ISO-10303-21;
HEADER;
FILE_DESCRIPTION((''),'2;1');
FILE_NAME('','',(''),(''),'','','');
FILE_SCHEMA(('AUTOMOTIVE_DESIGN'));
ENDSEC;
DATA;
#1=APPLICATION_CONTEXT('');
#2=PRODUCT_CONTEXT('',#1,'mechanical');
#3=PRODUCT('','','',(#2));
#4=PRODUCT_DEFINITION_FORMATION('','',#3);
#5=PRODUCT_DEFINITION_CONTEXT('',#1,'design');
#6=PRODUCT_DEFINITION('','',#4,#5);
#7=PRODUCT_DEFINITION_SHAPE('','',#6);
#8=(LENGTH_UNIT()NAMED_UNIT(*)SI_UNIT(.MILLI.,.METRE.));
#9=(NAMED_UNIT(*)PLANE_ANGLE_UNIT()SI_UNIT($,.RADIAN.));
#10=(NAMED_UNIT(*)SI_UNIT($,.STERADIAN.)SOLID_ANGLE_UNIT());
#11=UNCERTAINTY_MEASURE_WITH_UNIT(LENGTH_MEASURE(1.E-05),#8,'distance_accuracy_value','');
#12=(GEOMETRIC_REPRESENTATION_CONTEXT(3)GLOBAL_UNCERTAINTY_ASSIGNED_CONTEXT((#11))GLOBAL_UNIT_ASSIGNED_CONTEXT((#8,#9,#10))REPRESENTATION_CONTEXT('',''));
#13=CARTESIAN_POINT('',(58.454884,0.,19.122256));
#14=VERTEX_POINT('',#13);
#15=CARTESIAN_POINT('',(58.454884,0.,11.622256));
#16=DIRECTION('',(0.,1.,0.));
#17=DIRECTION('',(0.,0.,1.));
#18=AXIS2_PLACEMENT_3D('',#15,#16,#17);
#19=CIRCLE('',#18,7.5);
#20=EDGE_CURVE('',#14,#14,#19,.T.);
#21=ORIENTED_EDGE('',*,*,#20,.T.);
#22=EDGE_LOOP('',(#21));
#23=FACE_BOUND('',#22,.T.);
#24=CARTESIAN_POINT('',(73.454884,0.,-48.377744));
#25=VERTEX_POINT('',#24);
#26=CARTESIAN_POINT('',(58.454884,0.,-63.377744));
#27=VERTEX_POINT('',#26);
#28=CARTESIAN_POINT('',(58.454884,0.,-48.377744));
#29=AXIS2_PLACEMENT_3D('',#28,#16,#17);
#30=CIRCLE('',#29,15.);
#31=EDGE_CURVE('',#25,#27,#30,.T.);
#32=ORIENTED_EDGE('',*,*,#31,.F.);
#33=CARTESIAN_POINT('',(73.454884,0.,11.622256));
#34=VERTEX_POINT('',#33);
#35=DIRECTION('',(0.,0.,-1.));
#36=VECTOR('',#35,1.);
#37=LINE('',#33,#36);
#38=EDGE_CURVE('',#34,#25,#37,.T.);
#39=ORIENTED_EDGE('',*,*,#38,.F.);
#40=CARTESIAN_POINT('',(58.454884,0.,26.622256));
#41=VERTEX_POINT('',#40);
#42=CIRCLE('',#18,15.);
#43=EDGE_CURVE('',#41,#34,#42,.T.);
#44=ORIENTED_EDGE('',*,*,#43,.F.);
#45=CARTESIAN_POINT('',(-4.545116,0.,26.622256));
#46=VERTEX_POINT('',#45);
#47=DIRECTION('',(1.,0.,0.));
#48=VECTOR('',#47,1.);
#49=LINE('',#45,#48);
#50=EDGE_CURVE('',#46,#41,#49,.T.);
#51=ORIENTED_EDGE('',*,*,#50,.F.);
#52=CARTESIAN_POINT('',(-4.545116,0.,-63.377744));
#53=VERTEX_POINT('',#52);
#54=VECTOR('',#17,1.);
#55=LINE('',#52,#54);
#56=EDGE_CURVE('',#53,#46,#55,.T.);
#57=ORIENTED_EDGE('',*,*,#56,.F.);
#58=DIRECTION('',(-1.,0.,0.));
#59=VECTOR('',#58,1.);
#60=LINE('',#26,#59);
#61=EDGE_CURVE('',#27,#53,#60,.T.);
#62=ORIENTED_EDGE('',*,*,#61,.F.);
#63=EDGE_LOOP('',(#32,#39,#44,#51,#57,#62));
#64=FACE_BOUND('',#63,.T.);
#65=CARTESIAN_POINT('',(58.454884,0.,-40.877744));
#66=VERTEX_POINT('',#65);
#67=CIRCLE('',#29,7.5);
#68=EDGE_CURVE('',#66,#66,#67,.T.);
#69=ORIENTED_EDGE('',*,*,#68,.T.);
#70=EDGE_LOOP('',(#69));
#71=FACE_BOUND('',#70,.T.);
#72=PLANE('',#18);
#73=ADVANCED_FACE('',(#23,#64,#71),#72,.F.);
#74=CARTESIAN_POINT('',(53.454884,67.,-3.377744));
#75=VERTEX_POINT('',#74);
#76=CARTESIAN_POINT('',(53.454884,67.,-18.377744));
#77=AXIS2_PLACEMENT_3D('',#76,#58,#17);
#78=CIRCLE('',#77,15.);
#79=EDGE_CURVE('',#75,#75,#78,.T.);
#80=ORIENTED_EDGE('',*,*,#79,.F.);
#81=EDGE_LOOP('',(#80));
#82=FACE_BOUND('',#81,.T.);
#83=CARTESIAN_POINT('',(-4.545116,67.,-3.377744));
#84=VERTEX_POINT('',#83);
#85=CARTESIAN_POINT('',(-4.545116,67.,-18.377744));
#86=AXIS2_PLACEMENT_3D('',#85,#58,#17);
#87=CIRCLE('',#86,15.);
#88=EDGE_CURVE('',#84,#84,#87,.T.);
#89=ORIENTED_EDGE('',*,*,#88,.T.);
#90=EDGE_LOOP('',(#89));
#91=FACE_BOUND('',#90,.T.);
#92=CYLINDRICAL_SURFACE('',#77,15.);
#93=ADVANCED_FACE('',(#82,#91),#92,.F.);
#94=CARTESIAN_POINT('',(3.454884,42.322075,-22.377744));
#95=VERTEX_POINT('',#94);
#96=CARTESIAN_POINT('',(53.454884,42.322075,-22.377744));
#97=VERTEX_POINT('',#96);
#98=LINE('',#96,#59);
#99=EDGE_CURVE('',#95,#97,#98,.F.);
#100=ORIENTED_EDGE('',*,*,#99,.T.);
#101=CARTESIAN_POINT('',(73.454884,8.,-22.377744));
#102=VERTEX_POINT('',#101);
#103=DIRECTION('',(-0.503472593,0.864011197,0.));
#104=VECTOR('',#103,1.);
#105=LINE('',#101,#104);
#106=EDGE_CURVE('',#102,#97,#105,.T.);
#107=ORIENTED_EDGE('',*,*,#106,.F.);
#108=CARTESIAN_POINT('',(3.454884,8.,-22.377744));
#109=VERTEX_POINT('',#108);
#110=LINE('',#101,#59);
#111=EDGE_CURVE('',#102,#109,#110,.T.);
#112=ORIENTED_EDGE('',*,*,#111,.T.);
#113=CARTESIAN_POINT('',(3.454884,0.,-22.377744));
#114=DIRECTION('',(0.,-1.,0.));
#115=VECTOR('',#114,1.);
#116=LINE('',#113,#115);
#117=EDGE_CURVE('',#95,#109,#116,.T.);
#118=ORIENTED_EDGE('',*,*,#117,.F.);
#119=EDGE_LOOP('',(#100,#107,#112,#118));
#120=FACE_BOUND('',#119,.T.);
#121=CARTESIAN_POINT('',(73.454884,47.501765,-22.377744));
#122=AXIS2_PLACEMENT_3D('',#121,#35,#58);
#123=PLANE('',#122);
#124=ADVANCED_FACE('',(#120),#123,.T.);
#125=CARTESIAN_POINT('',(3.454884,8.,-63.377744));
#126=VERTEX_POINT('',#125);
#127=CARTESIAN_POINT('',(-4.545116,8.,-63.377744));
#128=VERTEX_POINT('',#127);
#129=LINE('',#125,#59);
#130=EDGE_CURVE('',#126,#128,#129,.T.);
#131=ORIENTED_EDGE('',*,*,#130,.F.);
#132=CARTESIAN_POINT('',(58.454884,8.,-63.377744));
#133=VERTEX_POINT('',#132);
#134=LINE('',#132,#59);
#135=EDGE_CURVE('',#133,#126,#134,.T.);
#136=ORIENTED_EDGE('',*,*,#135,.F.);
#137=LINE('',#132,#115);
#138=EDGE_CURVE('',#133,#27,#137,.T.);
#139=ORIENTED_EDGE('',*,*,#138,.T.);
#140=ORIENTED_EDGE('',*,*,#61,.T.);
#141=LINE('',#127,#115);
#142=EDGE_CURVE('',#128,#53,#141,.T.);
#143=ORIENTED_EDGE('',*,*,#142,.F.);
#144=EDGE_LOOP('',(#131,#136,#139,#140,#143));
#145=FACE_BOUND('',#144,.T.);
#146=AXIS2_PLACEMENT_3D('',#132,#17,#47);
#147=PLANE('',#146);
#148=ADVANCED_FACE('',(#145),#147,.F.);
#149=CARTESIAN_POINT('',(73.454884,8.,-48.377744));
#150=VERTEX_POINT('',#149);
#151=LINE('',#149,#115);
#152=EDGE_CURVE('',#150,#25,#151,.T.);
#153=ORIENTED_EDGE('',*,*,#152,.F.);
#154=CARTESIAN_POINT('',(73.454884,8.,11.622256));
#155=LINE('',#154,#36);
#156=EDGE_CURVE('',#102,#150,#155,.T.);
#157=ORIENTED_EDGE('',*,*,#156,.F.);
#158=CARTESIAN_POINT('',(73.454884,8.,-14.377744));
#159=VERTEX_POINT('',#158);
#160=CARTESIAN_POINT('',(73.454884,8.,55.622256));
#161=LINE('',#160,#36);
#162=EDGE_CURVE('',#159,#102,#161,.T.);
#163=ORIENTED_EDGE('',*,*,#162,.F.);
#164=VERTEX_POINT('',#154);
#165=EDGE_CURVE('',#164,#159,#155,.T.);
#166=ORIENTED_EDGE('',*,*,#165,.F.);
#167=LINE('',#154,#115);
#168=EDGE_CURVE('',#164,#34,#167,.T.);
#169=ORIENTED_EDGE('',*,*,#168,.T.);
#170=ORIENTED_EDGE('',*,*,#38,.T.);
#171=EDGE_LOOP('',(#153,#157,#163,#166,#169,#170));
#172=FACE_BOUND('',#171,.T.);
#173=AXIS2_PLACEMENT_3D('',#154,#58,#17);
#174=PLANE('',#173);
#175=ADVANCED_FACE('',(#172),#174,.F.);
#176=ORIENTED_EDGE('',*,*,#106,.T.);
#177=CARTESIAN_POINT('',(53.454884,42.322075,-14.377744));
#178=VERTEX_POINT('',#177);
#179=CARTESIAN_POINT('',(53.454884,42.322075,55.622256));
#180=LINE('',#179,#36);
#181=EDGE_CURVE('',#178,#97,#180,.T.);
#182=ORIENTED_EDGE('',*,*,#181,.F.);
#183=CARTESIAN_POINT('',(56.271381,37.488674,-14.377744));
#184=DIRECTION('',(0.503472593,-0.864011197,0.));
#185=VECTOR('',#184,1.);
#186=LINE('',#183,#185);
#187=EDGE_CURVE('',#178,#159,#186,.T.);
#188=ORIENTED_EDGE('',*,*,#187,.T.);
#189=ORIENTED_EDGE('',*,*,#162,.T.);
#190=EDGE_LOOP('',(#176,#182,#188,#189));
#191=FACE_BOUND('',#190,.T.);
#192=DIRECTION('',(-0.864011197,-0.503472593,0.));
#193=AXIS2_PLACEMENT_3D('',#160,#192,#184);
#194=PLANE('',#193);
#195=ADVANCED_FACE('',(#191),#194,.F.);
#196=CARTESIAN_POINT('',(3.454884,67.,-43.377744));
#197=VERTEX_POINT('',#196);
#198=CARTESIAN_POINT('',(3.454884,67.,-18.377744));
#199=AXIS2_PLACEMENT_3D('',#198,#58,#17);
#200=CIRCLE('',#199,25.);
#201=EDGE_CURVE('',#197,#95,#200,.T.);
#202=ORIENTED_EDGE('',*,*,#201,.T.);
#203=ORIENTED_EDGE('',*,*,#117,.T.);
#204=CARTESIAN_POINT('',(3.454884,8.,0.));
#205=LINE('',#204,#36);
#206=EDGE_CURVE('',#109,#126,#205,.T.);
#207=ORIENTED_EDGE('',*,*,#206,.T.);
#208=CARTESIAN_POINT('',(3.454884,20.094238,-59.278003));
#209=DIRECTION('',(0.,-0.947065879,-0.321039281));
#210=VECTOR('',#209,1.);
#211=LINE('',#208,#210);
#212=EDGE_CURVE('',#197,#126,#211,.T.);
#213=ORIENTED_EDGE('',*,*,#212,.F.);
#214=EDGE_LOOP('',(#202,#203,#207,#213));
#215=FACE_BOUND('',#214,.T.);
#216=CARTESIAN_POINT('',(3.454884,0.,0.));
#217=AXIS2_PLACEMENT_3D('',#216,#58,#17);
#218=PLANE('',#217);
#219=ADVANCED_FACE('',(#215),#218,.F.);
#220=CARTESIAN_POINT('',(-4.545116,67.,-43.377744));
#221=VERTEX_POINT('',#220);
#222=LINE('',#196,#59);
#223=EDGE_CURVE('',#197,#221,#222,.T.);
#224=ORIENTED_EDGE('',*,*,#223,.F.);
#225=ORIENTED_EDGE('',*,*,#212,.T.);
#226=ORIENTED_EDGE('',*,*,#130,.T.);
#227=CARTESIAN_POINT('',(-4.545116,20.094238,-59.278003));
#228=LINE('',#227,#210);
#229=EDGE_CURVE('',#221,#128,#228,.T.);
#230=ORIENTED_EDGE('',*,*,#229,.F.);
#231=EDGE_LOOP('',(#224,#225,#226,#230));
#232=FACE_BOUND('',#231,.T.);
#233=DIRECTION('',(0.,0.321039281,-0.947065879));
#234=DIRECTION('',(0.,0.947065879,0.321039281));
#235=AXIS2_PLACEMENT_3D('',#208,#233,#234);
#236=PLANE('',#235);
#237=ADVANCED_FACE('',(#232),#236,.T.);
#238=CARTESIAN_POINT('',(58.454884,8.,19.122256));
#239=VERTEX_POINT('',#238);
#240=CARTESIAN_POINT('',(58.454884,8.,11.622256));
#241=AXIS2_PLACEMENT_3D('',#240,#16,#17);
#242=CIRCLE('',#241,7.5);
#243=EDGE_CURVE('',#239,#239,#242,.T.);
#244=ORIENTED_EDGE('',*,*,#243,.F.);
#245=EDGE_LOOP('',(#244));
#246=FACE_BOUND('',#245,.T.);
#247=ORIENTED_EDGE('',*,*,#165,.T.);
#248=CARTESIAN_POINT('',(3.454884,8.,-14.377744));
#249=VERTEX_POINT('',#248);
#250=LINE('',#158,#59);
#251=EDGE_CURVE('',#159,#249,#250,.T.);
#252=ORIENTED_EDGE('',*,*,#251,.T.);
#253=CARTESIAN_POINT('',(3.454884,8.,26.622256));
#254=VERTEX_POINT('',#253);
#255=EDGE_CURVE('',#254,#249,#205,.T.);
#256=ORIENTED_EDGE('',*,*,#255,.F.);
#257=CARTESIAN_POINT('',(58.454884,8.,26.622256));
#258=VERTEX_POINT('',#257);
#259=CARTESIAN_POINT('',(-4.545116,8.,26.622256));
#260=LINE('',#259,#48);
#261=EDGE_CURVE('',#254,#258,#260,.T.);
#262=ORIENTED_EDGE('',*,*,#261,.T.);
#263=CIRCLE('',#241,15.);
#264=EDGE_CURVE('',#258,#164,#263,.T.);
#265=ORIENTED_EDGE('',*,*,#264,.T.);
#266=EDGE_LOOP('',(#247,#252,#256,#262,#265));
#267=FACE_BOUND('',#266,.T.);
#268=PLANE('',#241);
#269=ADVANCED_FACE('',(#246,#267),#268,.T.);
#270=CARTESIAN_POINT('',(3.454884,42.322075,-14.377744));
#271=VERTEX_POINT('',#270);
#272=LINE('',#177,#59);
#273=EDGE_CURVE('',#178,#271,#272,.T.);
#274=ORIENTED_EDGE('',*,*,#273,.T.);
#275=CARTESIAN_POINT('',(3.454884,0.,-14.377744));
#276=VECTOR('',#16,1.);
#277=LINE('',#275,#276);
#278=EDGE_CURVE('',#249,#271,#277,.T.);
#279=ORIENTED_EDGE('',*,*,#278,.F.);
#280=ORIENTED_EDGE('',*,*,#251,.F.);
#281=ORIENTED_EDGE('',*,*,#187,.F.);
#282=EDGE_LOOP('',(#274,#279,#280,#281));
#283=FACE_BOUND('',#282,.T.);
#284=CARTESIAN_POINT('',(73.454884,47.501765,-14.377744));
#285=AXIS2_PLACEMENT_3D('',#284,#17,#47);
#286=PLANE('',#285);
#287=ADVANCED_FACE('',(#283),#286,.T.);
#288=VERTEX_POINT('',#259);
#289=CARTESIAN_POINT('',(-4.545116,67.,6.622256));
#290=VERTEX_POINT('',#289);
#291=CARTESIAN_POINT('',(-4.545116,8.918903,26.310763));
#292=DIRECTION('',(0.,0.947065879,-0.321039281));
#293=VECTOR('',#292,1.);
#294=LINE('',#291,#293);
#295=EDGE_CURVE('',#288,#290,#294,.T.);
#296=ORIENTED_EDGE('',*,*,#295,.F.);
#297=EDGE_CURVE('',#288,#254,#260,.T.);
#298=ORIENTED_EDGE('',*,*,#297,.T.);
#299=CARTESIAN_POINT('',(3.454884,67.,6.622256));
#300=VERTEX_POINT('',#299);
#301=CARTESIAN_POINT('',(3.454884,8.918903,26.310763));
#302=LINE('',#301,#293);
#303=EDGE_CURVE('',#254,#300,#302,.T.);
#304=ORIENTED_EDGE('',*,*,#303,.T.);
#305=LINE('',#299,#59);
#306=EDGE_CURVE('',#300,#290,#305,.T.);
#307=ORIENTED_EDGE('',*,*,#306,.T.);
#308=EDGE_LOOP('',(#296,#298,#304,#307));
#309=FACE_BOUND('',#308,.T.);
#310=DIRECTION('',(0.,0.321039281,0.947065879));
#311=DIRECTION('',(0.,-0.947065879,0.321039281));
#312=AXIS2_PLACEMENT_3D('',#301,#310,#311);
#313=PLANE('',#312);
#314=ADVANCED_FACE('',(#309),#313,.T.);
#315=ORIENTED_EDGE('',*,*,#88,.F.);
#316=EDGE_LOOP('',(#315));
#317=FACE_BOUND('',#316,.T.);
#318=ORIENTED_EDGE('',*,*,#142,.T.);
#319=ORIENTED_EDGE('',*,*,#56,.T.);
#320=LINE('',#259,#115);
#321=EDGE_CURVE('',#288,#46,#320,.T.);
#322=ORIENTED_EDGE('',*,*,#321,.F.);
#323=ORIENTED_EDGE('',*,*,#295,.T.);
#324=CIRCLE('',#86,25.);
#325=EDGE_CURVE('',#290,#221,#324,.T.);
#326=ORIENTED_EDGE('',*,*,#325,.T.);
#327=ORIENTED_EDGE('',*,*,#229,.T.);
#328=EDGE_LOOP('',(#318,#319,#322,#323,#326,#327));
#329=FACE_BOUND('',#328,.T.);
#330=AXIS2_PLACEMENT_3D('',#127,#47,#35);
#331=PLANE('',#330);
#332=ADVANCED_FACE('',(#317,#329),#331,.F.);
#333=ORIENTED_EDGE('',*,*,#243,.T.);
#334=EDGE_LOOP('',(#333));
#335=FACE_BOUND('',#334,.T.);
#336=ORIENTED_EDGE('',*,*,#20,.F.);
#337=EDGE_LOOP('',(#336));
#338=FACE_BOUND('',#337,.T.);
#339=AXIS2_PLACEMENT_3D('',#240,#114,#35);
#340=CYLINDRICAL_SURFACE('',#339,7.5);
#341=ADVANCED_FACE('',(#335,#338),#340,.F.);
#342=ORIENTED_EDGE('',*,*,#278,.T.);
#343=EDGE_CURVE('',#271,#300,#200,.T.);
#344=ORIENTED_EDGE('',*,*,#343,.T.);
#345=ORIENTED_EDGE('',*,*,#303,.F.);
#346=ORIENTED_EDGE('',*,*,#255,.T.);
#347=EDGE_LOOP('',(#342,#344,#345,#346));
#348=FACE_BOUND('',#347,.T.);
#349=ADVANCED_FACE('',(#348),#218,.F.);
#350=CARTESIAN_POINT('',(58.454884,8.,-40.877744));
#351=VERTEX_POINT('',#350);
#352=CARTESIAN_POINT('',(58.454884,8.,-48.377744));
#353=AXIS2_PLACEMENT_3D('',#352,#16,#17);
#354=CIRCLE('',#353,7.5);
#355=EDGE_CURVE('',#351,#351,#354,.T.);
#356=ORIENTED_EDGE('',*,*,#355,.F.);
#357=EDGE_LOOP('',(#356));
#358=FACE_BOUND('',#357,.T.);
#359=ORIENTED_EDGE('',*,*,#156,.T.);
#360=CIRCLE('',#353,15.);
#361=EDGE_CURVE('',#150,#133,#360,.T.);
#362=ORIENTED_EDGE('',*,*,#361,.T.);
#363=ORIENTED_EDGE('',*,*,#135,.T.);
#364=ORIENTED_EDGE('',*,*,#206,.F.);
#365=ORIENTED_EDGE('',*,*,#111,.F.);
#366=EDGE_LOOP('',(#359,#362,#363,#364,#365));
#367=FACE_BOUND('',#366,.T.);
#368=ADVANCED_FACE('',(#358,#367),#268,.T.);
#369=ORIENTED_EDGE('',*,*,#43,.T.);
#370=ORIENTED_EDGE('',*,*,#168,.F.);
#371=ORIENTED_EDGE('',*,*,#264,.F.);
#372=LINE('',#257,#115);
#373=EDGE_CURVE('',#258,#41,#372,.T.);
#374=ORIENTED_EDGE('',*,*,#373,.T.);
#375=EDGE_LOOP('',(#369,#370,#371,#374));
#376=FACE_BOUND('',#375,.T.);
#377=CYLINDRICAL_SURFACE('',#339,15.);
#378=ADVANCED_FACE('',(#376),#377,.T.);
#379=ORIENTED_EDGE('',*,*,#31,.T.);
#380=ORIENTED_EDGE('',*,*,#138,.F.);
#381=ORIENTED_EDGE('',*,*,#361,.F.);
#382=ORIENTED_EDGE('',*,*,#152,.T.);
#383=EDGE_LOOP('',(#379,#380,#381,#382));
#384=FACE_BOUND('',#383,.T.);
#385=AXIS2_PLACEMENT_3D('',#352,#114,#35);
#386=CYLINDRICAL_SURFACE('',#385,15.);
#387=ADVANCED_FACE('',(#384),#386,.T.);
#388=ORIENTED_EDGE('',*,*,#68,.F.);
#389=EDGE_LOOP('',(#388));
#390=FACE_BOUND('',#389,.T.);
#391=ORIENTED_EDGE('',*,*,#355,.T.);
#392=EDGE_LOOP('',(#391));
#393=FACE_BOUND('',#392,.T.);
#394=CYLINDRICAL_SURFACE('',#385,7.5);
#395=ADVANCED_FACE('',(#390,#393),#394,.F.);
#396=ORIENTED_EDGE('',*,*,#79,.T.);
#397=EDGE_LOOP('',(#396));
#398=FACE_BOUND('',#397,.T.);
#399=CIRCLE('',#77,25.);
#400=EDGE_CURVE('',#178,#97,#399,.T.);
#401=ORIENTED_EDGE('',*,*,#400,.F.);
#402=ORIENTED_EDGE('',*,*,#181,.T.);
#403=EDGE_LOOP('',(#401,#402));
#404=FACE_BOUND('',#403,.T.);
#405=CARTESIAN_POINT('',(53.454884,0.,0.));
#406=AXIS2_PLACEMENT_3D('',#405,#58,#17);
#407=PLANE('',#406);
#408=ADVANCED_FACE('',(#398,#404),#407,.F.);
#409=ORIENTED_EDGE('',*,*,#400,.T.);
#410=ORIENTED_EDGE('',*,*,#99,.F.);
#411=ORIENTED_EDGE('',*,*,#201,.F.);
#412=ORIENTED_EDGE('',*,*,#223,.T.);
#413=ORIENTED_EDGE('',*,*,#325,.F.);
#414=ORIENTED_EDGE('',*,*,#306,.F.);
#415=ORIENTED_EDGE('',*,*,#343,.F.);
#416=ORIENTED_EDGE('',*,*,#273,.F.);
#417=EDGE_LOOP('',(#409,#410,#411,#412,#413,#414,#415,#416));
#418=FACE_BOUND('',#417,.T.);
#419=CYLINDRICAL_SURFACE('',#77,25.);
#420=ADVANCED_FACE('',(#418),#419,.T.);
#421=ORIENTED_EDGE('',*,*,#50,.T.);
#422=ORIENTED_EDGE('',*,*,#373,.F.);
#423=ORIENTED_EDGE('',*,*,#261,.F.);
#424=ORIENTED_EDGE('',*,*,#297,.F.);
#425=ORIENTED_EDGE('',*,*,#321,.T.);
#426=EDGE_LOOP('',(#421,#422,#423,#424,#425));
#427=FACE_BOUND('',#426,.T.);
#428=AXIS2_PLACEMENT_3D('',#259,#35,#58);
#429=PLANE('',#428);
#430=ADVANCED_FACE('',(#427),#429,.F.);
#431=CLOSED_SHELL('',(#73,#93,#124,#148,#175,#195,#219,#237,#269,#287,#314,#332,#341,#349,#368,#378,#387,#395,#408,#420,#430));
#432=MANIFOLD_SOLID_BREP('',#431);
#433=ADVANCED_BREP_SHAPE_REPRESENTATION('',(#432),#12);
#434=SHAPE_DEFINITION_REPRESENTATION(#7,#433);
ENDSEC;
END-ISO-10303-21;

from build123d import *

# Parameters (mm, degrees)
SKETCH2_R           = 7.5
BOSS_EXTRUDE1_DEPTH = 8
BOSS_EXTRUDE3_DEPTH = 8
BOSS_EXTRUDE4_DEPTH = 58
SKETCH17_W          = 8
SKETCH17_H          = 39.501765498
BOSS_EXTRUDE6_DEPTH = 78
CUT_EXTRUDE1_DEPTH  = 78


with BuildPart() as part:
    # Sketch2 → Boss-Extrude1 (new body)
    with BuildSketch(Plane(origin=(0, 0, 0), x_dir=(1, 0, 0), z_dir=(0, 1, 0))):
        with BuildLine():
            Line((-4.545115865, -26.622255639), (58.454884135, -26.622255639))
            ThreePointArc((58.454884135, -26.622255639), (69.061485853, -22.228857357), (73.454884135, -11.622255639))
            Line((73.454884135, -11.622255639), (73.454884135, 48.377744361))
            ThreePointArc((73.454884135, 48.377744361), (69.061485853, 58.984346079), (58.454884135, 63.377744361))
            Line((58.454884135, 63.377744361), (-4.545115865, 63.377744361))
            Line((-4.545115865, 63.377744361), (-4.545115865, -26.622255639))
        make_face()
        with Locations((58.454884135, -11.622255639)):
            Circle(SKETCH2_R, mode=Mode.SUBTRACT)
        with Locations((58.454884135, 48.377744361)):
            Circle(SKETCH2_R, mode=Mode.SUBTRACT)
    extrude(amount=BOSS_EXTRUDE1_DEPTH)

    # Sketch3 → Boss-Extrude3 (add)
    with BuildSketch(Plane.ZY.offset(4.545115865)):
        with BuildLine():
            Line((-63.377744361, 8), (26.622255639, 8))
            Line((26.622255639, 8), (6.622255639, 67))
            ThreePointArc((6.622255639, 67), (-18.377744361, 42), (-43.377744361, 67))
            Line((-43.377744361, 67), (-63.377744361, 8))
        make_face()
    extrude(amount=-BOSS_EXTRUDE3_DEPTH)

    # Sketch3<4> → Boss-Extrude4 (add)
    with BuildSketch(Plane.ZY.offset(4.545115865)):
        with BuildLine():
            ThreePointArc((-43.377744361, 67), (-36.055413891, 49.32233047), (-18.377744361, 42))
            ThreePointArc((-18.377744361, 42), (-0.700074831, 49.32233047), (6.622255639, 67))
            ThreePointArc((6.622255639, 67), (-18.377744361, 92), (-43.377744361, 67))
        make_face()
        with BuildLine():
            ThreePointArc((-3.377744361, 67), (-7.771142643, 56.393398282), (-18.377744361, 52))
            ThreePointArc((-18.377744361, 52), (-28.984346079, 77.606601718), (-3.377744361, 67))
        make_face(mode=Mode.SUBTRACT)
    extrude(amount=-BOSS_EXTRUDE4_DEPTH)

    # Sketch17 → Boss-Extrude6 (add)
    with BuildSketch(Plane.ZY.offset(4.545115865)):
        with Locations((-18.377744361, 27.750882749)):
            Rectangle(SKETCH17_W, SKETCH17_H)
    extrude(amount=-BOSS_EXTRUDE6_DEPTH)

    # Sketch18 → Cut-Extrude1 (cut)
    with BuildSketch(Plane(origin=(0, 0, -22.377744361), x_dir=(-1, 0, 0), z_dir=(0, 0, -1))):
        Polygon((-73.454884135, 8), (-53.454884135, 42.322074641), (-53.454884135, 47.501765498), (-73.454884135, 47.501765498), align=None)
    extrude(amount=-CUT_EXTRUDE1_DEPTH, mode=Mode.SUBTRACT)


solid = part.part
